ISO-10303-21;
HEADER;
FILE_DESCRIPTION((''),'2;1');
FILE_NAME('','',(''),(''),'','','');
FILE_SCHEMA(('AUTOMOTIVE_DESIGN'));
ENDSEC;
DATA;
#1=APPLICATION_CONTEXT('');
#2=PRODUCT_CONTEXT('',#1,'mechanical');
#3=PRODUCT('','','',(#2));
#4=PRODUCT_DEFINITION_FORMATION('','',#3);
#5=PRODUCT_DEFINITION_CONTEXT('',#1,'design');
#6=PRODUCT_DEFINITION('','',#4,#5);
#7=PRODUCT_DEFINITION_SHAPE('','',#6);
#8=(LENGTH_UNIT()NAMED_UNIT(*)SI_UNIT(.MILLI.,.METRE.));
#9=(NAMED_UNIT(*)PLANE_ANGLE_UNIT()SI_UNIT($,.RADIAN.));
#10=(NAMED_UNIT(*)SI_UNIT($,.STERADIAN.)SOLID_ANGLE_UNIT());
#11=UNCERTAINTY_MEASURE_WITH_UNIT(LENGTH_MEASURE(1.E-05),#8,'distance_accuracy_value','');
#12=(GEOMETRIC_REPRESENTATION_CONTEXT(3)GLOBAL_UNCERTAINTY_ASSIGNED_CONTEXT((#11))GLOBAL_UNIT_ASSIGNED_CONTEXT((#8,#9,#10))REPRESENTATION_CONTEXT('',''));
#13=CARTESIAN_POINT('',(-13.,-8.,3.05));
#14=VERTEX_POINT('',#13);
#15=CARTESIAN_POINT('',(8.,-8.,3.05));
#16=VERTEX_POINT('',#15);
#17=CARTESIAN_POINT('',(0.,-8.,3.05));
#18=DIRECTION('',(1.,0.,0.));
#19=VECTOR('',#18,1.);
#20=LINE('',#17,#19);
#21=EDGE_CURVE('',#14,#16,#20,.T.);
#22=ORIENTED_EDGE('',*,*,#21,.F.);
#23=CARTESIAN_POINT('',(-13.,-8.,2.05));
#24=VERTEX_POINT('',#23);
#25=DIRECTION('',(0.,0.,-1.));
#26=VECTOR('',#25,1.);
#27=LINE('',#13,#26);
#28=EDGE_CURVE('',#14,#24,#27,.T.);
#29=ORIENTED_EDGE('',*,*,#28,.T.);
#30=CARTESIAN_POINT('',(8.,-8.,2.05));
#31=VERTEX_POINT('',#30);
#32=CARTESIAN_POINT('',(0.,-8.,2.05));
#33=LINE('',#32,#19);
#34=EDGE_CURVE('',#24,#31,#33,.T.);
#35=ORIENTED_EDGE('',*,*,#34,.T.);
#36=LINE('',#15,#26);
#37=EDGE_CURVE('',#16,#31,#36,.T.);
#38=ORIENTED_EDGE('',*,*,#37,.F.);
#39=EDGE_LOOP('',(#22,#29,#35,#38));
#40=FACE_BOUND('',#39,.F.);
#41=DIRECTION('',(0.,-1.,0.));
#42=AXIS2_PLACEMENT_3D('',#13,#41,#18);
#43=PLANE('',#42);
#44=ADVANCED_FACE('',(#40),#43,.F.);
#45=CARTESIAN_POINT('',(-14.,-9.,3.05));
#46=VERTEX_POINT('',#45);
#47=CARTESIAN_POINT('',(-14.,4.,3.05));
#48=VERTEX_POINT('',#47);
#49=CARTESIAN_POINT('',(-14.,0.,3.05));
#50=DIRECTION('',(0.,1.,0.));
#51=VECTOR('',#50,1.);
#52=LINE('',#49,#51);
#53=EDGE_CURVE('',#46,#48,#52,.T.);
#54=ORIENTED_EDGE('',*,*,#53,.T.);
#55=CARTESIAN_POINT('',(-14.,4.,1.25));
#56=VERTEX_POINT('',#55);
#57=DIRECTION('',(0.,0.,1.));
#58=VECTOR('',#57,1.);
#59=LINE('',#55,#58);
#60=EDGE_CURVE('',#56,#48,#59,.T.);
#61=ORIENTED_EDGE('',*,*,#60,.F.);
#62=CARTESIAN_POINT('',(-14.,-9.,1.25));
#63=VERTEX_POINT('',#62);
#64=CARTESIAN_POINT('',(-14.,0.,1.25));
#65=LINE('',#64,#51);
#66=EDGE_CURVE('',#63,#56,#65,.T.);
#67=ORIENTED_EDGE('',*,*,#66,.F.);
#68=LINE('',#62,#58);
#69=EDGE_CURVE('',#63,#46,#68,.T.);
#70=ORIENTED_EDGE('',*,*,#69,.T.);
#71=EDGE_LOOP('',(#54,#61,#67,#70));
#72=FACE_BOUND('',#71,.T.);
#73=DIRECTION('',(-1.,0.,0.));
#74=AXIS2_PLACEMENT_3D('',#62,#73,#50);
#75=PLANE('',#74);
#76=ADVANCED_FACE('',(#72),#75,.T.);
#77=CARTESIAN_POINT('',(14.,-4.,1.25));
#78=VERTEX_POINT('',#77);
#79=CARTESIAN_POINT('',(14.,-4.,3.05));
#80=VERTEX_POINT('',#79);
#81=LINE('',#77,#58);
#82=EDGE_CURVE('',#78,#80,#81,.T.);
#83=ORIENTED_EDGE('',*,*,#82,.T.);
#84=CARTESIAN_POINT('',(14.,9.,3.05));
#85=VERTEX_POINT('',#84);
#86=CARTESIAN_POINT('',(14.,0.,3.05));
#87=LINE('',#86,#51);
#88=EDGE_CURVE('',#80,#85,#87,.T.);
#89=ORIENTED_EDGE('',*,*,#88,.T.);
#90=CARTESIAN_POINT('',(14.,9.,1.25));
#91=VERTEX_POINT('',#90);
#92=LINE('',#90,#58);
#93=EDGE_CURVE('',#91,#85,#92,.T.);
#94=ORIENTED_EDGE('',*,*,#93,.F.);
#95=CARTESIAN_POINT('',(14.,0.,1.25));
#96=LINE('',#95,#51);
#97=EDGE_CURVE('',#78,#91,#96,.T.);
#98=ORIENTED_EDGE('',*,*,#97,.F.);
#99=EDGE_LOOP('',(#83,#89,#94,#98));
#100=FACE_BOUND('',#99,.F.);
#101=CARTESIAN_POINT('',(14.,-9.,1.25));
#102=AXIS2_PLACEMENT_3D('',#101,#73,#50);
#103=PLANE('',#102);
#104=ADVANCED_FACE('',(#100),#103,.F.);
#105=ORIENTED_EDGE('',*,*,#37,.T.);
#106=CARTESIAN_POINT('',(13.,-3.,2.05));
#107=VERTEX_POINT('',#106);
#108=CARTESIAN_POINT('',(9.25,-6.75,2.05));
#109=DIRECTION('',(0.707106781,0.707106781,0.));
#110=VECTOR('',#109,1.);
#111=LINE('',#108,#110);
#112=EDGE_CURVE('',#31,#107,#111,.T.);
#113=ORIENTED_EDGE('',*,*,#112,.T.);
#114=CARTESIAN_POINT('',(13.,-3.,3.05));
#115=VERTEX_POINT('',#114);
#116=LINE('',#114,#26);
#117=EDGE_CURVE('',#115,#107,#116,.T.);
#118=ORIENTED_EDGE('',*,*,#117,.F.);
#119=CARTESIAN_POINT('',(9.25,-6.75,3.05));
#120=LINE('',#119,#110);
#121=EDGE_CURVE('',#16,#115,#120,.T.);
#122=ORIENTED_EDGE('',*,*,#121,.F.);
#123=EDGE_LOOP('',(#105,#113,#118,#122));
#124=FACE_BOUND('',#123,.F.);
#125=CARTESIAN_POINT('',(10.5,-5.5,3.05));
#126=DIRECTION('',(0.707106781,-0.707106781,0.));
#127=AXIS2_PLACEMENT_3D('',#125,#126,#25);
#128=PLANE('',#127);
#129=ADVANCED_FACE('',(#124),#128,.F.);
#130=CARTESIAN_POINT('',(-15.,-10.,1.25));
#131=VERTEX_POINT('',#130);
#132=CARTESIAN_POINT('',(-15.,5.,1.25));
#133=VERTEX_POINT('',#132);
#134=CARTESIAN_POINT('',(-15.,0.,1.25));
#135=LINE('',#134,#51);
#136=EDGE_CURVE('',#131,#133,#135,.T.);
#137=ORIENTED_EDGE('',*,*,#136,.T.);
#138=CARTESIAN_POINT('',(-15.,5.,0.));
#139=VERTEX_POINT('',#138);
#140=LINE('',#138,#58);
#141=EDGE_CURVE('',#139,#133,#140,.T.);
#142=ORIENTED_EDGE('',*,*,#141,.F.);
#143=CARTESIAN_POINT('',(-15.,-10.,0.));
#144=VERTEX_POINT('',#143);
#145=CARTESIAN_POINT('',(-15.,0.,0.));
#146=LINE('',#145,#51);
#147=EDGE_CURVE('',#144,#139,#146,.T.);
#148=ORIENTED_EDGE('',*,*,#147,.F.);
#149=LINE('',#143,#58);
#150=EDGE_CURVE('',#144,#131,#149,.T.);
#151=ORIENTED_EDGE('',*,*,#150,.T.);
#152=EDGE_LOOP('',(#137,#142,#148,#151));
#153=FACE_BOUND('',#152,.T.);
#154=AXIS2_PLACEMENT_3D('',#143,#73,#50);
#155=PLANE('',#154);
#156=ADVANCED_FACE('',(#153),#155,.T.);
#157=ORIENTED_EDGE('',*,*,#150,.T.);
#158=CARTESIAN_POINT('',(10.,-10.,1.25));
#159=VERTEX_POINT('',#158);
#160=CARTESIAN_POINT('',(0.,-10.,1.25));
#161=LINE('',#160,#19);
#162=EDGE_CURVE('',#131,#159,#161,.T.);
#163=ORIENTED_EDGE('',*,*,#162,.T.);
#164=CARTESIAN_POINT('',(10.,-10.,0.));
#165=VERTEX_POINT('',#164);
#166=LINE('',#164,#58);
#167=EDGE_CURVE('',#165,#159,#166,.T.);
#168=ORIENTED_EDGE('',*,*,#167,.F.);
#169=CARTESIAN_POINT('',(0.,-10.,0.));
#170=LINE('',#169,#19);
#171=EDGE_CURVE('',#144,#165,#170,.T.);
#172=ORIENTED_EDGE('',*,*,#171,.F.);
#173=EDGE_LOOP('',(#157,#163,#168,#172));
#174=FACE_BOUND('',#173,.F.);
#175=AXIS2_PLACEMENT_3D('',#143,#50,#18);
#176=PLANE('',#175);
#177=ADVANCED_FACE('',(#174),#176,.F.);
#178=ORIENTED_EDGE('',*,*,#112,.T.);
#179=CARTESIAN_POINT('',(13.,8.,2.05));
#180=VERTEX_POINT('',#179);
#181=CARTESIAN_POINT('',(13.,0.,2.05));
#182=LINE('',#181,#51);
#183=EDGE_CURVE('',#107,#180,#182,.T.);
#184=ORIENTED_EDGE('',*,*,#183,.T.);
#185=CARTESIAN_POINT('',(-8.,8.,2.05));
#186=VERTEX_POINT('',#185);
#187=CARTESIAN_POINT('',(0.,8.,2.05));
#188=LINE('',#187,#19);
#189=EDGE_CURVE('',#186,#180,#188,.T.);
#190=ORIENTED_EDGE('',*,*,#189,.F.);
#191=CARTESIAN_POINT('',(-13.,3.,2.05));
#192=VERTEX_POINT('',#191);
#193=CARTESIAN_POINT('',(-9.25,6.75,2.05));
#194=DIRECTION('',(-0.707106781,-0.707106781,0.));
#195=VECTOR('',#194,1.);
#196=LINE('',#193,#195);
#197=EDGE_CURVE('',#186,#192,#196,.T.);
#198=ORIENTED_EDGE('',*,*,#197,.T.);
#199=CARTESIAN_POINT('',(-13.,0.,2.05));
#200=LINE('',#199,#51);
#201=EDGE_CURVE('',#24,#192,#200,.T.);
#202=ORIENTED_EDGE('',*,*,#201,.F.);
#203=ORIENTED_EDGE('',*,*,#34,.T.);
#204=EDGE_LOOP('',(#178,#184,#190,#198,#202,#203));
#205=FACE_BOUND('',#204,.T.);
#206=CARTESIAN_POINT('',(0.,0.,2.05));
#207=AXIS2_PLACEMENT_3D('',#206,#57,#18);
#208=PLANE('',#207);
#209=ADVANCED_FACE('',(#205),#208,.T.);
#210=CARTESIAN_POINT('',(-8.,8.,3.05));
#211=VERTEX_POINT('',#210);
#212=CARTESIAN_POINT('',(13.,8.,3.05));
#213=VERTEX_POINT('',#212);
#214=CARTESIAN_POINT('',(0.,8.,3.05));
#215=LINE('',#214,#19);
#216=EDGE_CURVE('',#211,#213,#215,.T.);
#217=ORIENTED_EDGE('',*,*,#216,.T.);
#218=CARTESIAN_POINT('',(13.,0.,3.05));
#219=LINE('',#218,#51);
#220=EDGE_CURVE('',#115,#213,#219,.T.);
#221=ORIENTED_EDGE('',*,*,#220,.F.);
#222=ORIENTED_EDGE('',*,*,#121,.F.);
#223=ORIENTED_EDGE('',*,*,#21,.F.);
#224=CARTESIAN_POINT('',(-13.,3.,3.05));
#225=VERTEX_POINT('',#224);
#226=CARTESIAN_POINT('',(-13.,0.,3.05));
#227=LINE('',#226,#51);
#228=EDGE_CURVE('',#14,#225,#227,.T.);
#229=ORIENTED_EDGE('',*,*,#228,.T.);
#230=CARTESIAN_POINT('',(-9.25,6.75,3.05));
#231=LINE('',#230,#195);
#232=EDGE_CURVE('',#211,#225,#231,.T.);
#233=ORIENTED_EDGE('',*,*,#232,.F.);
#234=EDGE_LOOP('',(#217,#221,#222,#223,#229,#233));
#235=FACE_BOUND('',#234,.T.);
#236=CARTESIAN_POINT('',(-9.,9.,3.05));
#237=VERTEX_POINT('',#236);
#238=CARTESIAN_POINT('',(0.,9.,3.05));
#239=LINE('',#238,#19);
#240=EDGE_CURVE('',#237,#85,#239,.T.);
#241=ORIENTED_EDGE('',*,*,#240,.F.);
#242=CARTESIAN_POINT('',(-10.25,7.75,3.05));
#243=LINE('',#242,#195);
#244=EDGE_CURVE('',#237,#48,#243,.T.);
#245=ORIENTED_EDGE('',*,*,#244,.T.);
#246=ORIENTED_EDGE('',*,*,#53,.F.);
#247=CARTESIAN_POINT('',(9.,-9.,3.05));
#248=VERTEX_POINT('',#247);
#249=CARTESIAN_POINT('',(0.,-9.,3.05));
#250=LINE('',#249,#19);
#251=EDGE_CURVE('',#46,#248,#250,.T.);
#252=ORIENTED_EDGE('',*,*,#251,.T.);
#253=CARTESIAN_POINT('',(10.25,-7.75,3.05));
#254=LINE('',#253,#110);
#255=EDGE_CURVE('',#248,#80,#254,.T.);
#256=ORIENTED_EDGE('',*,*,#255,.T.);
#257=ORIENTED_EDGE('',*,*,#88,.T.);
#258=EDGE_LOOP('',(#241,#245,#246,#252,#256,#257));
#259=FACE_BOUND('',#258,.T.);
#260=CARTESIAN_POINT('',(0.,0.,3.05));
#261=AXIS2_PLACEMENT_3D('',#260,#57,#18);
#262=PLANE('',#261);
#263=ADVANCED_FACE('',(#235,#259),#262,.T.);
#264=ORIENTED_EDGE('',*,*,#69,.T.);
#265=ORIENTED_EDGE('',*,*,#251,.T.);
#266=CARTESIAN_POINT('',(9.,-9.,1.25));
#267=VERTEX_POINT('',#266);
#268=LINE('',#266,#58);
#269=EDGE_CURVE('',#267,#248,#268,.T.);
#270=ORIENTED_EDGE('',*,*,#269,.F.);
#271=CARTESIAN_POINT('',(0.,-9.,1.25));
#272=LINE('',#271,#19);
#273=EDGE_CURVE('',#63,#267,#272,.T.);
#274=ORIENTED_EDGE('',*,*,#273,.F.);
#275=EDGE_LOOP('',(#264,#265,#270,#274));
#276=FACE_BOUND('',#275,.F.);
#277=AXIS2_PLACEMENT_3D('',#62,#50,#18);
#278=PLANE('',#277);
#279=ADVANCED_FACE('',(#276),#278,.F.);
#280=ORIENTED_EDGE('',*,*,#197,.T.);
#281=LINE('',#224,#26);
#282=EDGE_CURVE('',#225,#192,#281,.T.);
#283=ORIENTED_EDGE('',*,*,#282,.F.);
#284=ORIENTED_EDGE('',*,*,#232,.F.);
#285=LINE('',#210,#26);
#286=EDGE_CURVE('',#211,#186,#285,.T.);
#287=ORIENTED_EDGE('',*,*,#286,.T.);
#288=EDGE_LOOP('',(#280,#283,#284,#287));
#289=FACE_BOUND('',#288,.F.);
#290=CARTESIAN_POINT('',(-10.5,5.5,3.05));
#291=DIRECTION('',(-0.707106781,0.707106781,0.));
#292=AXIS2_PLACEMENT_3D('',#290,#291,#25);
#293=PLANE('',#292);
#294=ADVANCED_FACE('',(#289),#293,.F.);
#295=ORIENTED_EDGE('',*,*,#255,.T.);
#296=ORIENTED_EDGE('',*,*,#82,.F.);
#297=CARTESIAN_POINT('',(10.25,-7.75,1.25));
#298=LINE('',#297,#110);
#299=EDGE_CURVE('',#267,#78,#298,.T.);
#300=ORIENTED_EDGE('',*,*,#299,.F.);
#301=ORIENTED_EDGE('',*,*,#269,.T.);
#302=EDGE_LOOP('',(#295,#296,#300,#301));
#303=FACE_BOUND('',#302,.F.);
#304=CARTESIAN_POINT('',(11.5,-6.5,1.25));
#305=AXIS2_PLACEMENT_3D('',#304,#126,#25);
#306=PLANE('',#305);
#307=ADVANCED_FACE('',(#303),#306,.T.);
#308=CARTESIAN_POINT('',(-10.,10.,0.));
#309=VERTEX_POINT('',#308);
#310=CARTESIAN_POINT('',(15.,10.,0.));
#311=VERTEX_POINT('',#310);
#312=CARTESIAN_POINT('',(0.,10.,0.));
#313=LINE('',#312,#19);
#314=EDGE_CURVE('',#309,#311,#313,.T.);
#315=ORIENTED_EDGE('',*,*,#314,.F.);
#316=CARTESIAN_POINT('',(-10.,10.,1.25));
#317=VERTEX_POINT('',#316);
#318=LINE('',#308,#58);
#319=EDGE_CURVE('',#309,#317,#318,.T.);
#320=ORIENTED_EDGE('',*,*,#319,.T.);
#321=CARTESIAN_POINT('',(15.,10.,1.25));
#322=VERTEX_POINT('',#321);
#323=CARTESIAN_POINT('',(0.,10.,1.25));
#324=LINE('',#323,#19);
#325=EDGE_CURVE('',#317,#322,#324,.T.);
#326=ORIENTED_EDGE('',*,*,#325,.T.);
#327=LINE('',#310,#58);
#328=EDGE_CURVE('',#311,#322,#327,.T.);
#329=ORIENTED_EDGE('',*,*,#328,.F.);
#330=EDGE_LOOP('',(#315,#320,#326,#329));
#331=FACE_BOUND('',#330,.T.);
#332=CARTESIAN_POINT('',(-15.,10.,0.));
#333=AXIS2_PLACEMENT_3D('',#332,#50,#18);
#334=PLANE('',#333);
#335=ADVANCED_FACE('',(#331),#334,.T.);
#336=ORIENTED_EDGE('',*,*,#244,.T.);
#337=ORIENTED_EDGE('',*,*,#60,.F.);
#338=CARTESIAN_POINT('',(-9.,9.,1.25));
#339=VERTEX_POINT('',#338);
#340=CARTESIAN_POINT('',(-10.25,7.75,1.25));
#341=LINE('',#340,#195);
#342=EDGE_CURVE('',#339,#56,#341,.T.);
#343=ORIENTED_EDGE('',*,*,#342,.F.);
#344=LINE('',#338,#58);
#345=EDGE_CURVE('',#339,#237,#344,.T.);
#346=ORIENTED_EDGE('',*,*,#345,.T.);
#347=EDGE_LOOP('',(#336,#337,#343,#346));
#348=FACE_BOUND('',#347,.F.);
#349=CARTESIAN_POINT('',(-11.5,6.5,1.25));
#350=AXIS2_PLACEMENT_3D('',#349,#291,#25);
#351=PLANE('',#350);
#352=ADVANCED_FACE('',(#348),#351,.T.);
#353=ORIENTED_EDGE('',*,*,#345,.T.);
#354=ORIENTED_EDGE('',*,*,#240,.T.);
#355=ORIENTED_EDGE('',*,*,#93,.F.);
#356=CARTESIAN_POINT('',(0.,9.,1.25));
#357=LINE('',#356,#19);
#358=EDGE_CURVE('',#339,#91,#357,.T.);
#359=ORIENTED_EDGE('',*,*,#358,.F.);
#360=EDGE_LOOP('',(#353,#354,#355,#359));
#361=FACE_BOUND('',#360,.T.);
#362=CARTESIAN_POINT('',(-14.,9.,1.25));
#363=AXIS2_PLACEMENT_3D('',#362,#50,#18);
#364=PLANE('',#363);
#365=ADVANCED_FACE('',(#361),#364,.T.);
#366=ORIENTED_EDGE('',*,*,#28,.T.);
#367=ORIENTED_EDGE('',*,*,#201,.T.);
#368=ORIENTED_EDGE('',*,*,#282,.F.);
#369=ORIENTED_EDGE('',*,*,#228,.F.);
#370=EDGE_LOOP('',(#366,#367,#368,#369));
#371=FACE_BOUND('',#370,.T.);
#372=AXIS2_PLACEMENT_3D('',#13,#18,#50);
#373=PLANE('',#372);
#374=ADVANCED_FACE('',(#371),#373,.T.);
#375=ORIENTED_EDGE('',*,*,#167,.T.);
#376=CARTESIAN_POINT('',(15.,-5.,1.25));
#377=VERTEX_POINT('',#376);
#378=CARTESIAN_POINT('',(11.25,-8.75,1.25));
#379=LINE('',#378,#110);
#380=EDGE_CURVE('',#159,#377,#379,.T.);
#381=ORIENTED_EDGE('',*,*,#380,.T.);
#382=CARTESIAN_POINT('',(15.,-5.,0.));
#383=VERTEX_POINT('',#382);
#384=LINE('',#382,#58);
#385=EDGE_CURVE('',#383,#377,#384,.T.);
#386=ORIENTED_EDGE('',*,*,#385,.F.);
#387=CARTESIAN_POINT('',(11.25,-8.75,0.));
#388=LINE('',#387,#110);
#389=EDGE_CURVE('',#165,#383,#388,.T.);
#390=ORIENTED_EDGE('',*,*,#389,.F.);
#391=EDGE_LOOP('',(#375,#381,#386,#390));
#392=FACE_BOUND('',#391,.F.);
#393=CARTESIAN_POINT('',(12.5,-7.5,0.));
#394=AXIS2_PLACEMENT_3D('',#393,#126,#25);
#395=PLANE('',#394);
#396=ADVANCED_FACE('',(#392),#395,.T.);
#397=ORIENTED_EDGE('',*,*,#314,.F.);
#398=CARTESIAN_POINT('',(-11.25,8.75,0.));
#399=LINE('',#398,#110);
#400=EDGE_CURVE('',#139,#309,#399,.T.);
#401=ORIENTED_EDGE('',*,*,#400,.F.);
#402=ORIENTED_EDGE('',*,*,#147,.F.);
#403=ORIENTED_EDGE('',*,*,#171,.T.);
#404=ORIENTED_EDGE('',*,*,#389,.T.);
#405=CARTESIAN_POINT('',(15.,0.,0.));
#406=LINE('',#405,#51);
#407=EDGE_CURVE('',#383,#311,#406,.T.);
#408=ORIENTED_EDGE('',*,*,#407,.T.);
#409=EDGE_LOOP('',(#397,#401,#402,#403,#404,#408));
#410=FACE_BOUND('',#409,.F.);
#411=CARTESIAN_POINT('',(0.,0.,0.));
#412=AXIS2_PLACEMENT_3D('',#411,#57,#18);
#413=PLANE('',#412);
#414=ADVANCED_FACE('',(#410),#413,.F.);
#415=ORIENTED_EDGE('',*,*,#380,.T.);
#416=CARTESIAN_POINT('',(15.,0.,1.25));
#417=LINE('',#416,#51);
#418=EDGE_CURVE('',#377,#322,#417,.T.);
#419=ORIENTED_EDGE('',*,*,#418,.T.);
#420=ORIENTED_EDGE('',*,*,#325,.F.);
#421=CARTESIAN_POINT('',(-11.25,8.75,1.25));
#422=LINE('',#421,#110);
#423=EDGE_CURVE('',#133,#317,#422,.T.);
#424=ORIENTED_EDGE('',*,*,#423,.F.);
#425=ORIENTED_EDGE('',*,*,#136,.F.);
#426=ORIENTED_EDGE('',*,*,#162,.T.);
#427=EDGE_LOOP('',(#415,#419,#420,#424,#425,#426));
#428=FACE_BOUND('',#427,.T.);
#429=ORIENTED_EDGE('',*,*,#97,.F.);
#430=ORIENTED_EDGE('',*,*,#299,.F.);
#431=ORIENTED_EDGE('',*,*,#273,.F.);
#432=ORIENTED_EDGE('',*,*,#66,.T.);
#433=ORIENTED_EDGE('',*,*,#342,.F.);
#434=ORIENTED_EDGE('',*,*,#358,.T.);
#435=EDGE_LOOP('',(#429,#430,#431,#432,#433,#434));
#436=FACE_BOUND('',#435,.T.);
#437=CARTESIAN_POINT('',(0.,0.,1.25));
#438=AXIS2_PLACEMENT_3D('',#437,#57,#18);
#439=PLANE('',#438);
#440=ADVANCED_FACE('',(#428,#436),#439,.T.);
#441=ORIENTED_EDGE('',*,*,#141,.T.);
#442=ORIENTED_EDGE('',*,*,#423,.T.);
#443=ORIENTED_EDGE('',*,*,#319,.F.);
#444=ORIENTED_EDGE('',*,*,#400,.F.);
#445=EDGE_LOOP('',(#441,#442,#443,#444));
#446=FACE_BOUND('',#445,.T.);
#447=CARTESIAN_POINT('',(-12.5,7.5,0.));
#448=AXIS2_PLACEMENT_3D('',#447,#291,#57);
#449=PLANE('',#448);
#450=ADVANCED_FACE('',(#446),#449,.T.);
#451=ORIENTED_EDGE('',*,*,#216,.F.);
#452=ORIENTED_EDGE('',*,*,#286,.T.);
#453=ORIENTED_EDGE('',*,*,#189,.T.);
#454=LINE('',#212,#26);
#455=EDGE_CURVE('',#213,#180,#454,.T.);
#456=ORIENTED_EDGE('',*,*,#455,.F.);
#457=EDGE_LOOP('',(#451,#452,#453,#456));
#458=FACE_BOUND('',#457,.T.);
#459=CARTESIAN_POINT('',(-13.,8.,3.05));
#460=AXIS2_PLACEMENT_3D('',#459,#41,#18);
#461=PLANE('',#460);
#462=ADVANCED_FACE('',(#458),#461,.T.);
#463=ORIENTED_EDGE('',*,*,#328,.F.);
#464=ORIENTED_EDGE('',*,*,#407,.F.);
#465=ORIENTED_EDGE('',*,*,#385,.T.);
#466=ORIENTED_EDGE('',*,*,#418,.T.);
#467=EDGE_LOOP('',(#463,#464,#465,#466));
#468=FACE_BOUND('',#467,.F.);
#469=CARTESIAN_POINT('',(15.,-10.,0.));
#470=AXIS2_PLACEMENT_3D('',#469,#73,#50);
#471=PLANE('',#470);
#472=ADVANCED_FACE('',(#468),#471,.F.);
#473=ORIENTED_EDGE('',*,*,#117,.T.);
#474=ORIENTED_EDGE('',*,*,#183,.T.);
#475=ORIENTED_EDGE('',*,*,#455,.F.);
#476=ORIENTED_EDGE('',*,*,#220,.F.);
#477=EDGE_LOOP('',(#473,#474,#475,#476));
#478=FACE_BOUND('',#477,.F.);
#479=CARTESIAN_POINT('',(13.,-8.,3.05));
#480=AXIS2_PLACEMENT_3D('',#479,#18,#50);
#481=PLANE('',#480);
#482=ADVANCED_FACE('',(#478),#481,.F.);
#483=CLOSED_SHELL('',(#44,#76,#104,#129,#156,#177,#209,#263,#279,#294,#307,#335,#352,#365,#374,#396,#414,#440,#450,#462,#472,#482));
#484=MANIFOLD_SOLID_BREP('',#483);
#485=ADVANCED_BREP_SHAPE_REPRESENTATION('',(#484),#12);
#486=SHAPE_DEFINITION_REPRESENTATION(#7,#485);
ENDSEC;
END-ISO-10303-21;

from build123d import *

# Parameters (mm, degrees)
F0_W     = 30
F0_H     = 20
F1_DEPTH = 1.25
F2_W     = 28
F2_H     = 18
F3_DEPTH = 1.8
F4_W     = 26
F4_H     = 16
F5_DEPTH = 1
F6_SIZE  = 5
F7_SIZE  = 5


with BuildPart() as f1:
    # F0 (on Top) → F1 (new body)
    with BuildSketch(Plane.XY):
        Rectangle(F0_W, F0_H)
    extrude(amount=F1_DEPTH)

    # F2 (on face) → F3 (join)
    with BuildSketch(Plane.XY.offset(1.25)):
        Rectangle(F2_W, F2_H)
    extrude(amount=F3_DEPTH)

    # F4 (on face) → F5 (cut)
    with BuildSketch(Plane.XY.offset(3.05)):
        Rectangle(F4_W, F4_H)
    extrude(amount=-F5_DEPTH, mode=Mode.SUBTRACT)

    # F6
    f6_edges = [f1.edges().sort_by_distance(p)[0] for p in [
        (-13, 8, 2.55),
        (13, -8, 2.55),
        (-14, 9, 2.15),
        (14, -9, 2.15),
    ]]
    chamfer(f6_edges, length=F6_SIZE)

    # F7
    f7_edges = [f1.edges().sort_by_distance(p)[0] for p in [
        (15, -10, 0.625),
        (-15, 10, 0.625),
    ]]
    chamfer(f7_edges, length=F7_SIZE)


solid = f1.part
